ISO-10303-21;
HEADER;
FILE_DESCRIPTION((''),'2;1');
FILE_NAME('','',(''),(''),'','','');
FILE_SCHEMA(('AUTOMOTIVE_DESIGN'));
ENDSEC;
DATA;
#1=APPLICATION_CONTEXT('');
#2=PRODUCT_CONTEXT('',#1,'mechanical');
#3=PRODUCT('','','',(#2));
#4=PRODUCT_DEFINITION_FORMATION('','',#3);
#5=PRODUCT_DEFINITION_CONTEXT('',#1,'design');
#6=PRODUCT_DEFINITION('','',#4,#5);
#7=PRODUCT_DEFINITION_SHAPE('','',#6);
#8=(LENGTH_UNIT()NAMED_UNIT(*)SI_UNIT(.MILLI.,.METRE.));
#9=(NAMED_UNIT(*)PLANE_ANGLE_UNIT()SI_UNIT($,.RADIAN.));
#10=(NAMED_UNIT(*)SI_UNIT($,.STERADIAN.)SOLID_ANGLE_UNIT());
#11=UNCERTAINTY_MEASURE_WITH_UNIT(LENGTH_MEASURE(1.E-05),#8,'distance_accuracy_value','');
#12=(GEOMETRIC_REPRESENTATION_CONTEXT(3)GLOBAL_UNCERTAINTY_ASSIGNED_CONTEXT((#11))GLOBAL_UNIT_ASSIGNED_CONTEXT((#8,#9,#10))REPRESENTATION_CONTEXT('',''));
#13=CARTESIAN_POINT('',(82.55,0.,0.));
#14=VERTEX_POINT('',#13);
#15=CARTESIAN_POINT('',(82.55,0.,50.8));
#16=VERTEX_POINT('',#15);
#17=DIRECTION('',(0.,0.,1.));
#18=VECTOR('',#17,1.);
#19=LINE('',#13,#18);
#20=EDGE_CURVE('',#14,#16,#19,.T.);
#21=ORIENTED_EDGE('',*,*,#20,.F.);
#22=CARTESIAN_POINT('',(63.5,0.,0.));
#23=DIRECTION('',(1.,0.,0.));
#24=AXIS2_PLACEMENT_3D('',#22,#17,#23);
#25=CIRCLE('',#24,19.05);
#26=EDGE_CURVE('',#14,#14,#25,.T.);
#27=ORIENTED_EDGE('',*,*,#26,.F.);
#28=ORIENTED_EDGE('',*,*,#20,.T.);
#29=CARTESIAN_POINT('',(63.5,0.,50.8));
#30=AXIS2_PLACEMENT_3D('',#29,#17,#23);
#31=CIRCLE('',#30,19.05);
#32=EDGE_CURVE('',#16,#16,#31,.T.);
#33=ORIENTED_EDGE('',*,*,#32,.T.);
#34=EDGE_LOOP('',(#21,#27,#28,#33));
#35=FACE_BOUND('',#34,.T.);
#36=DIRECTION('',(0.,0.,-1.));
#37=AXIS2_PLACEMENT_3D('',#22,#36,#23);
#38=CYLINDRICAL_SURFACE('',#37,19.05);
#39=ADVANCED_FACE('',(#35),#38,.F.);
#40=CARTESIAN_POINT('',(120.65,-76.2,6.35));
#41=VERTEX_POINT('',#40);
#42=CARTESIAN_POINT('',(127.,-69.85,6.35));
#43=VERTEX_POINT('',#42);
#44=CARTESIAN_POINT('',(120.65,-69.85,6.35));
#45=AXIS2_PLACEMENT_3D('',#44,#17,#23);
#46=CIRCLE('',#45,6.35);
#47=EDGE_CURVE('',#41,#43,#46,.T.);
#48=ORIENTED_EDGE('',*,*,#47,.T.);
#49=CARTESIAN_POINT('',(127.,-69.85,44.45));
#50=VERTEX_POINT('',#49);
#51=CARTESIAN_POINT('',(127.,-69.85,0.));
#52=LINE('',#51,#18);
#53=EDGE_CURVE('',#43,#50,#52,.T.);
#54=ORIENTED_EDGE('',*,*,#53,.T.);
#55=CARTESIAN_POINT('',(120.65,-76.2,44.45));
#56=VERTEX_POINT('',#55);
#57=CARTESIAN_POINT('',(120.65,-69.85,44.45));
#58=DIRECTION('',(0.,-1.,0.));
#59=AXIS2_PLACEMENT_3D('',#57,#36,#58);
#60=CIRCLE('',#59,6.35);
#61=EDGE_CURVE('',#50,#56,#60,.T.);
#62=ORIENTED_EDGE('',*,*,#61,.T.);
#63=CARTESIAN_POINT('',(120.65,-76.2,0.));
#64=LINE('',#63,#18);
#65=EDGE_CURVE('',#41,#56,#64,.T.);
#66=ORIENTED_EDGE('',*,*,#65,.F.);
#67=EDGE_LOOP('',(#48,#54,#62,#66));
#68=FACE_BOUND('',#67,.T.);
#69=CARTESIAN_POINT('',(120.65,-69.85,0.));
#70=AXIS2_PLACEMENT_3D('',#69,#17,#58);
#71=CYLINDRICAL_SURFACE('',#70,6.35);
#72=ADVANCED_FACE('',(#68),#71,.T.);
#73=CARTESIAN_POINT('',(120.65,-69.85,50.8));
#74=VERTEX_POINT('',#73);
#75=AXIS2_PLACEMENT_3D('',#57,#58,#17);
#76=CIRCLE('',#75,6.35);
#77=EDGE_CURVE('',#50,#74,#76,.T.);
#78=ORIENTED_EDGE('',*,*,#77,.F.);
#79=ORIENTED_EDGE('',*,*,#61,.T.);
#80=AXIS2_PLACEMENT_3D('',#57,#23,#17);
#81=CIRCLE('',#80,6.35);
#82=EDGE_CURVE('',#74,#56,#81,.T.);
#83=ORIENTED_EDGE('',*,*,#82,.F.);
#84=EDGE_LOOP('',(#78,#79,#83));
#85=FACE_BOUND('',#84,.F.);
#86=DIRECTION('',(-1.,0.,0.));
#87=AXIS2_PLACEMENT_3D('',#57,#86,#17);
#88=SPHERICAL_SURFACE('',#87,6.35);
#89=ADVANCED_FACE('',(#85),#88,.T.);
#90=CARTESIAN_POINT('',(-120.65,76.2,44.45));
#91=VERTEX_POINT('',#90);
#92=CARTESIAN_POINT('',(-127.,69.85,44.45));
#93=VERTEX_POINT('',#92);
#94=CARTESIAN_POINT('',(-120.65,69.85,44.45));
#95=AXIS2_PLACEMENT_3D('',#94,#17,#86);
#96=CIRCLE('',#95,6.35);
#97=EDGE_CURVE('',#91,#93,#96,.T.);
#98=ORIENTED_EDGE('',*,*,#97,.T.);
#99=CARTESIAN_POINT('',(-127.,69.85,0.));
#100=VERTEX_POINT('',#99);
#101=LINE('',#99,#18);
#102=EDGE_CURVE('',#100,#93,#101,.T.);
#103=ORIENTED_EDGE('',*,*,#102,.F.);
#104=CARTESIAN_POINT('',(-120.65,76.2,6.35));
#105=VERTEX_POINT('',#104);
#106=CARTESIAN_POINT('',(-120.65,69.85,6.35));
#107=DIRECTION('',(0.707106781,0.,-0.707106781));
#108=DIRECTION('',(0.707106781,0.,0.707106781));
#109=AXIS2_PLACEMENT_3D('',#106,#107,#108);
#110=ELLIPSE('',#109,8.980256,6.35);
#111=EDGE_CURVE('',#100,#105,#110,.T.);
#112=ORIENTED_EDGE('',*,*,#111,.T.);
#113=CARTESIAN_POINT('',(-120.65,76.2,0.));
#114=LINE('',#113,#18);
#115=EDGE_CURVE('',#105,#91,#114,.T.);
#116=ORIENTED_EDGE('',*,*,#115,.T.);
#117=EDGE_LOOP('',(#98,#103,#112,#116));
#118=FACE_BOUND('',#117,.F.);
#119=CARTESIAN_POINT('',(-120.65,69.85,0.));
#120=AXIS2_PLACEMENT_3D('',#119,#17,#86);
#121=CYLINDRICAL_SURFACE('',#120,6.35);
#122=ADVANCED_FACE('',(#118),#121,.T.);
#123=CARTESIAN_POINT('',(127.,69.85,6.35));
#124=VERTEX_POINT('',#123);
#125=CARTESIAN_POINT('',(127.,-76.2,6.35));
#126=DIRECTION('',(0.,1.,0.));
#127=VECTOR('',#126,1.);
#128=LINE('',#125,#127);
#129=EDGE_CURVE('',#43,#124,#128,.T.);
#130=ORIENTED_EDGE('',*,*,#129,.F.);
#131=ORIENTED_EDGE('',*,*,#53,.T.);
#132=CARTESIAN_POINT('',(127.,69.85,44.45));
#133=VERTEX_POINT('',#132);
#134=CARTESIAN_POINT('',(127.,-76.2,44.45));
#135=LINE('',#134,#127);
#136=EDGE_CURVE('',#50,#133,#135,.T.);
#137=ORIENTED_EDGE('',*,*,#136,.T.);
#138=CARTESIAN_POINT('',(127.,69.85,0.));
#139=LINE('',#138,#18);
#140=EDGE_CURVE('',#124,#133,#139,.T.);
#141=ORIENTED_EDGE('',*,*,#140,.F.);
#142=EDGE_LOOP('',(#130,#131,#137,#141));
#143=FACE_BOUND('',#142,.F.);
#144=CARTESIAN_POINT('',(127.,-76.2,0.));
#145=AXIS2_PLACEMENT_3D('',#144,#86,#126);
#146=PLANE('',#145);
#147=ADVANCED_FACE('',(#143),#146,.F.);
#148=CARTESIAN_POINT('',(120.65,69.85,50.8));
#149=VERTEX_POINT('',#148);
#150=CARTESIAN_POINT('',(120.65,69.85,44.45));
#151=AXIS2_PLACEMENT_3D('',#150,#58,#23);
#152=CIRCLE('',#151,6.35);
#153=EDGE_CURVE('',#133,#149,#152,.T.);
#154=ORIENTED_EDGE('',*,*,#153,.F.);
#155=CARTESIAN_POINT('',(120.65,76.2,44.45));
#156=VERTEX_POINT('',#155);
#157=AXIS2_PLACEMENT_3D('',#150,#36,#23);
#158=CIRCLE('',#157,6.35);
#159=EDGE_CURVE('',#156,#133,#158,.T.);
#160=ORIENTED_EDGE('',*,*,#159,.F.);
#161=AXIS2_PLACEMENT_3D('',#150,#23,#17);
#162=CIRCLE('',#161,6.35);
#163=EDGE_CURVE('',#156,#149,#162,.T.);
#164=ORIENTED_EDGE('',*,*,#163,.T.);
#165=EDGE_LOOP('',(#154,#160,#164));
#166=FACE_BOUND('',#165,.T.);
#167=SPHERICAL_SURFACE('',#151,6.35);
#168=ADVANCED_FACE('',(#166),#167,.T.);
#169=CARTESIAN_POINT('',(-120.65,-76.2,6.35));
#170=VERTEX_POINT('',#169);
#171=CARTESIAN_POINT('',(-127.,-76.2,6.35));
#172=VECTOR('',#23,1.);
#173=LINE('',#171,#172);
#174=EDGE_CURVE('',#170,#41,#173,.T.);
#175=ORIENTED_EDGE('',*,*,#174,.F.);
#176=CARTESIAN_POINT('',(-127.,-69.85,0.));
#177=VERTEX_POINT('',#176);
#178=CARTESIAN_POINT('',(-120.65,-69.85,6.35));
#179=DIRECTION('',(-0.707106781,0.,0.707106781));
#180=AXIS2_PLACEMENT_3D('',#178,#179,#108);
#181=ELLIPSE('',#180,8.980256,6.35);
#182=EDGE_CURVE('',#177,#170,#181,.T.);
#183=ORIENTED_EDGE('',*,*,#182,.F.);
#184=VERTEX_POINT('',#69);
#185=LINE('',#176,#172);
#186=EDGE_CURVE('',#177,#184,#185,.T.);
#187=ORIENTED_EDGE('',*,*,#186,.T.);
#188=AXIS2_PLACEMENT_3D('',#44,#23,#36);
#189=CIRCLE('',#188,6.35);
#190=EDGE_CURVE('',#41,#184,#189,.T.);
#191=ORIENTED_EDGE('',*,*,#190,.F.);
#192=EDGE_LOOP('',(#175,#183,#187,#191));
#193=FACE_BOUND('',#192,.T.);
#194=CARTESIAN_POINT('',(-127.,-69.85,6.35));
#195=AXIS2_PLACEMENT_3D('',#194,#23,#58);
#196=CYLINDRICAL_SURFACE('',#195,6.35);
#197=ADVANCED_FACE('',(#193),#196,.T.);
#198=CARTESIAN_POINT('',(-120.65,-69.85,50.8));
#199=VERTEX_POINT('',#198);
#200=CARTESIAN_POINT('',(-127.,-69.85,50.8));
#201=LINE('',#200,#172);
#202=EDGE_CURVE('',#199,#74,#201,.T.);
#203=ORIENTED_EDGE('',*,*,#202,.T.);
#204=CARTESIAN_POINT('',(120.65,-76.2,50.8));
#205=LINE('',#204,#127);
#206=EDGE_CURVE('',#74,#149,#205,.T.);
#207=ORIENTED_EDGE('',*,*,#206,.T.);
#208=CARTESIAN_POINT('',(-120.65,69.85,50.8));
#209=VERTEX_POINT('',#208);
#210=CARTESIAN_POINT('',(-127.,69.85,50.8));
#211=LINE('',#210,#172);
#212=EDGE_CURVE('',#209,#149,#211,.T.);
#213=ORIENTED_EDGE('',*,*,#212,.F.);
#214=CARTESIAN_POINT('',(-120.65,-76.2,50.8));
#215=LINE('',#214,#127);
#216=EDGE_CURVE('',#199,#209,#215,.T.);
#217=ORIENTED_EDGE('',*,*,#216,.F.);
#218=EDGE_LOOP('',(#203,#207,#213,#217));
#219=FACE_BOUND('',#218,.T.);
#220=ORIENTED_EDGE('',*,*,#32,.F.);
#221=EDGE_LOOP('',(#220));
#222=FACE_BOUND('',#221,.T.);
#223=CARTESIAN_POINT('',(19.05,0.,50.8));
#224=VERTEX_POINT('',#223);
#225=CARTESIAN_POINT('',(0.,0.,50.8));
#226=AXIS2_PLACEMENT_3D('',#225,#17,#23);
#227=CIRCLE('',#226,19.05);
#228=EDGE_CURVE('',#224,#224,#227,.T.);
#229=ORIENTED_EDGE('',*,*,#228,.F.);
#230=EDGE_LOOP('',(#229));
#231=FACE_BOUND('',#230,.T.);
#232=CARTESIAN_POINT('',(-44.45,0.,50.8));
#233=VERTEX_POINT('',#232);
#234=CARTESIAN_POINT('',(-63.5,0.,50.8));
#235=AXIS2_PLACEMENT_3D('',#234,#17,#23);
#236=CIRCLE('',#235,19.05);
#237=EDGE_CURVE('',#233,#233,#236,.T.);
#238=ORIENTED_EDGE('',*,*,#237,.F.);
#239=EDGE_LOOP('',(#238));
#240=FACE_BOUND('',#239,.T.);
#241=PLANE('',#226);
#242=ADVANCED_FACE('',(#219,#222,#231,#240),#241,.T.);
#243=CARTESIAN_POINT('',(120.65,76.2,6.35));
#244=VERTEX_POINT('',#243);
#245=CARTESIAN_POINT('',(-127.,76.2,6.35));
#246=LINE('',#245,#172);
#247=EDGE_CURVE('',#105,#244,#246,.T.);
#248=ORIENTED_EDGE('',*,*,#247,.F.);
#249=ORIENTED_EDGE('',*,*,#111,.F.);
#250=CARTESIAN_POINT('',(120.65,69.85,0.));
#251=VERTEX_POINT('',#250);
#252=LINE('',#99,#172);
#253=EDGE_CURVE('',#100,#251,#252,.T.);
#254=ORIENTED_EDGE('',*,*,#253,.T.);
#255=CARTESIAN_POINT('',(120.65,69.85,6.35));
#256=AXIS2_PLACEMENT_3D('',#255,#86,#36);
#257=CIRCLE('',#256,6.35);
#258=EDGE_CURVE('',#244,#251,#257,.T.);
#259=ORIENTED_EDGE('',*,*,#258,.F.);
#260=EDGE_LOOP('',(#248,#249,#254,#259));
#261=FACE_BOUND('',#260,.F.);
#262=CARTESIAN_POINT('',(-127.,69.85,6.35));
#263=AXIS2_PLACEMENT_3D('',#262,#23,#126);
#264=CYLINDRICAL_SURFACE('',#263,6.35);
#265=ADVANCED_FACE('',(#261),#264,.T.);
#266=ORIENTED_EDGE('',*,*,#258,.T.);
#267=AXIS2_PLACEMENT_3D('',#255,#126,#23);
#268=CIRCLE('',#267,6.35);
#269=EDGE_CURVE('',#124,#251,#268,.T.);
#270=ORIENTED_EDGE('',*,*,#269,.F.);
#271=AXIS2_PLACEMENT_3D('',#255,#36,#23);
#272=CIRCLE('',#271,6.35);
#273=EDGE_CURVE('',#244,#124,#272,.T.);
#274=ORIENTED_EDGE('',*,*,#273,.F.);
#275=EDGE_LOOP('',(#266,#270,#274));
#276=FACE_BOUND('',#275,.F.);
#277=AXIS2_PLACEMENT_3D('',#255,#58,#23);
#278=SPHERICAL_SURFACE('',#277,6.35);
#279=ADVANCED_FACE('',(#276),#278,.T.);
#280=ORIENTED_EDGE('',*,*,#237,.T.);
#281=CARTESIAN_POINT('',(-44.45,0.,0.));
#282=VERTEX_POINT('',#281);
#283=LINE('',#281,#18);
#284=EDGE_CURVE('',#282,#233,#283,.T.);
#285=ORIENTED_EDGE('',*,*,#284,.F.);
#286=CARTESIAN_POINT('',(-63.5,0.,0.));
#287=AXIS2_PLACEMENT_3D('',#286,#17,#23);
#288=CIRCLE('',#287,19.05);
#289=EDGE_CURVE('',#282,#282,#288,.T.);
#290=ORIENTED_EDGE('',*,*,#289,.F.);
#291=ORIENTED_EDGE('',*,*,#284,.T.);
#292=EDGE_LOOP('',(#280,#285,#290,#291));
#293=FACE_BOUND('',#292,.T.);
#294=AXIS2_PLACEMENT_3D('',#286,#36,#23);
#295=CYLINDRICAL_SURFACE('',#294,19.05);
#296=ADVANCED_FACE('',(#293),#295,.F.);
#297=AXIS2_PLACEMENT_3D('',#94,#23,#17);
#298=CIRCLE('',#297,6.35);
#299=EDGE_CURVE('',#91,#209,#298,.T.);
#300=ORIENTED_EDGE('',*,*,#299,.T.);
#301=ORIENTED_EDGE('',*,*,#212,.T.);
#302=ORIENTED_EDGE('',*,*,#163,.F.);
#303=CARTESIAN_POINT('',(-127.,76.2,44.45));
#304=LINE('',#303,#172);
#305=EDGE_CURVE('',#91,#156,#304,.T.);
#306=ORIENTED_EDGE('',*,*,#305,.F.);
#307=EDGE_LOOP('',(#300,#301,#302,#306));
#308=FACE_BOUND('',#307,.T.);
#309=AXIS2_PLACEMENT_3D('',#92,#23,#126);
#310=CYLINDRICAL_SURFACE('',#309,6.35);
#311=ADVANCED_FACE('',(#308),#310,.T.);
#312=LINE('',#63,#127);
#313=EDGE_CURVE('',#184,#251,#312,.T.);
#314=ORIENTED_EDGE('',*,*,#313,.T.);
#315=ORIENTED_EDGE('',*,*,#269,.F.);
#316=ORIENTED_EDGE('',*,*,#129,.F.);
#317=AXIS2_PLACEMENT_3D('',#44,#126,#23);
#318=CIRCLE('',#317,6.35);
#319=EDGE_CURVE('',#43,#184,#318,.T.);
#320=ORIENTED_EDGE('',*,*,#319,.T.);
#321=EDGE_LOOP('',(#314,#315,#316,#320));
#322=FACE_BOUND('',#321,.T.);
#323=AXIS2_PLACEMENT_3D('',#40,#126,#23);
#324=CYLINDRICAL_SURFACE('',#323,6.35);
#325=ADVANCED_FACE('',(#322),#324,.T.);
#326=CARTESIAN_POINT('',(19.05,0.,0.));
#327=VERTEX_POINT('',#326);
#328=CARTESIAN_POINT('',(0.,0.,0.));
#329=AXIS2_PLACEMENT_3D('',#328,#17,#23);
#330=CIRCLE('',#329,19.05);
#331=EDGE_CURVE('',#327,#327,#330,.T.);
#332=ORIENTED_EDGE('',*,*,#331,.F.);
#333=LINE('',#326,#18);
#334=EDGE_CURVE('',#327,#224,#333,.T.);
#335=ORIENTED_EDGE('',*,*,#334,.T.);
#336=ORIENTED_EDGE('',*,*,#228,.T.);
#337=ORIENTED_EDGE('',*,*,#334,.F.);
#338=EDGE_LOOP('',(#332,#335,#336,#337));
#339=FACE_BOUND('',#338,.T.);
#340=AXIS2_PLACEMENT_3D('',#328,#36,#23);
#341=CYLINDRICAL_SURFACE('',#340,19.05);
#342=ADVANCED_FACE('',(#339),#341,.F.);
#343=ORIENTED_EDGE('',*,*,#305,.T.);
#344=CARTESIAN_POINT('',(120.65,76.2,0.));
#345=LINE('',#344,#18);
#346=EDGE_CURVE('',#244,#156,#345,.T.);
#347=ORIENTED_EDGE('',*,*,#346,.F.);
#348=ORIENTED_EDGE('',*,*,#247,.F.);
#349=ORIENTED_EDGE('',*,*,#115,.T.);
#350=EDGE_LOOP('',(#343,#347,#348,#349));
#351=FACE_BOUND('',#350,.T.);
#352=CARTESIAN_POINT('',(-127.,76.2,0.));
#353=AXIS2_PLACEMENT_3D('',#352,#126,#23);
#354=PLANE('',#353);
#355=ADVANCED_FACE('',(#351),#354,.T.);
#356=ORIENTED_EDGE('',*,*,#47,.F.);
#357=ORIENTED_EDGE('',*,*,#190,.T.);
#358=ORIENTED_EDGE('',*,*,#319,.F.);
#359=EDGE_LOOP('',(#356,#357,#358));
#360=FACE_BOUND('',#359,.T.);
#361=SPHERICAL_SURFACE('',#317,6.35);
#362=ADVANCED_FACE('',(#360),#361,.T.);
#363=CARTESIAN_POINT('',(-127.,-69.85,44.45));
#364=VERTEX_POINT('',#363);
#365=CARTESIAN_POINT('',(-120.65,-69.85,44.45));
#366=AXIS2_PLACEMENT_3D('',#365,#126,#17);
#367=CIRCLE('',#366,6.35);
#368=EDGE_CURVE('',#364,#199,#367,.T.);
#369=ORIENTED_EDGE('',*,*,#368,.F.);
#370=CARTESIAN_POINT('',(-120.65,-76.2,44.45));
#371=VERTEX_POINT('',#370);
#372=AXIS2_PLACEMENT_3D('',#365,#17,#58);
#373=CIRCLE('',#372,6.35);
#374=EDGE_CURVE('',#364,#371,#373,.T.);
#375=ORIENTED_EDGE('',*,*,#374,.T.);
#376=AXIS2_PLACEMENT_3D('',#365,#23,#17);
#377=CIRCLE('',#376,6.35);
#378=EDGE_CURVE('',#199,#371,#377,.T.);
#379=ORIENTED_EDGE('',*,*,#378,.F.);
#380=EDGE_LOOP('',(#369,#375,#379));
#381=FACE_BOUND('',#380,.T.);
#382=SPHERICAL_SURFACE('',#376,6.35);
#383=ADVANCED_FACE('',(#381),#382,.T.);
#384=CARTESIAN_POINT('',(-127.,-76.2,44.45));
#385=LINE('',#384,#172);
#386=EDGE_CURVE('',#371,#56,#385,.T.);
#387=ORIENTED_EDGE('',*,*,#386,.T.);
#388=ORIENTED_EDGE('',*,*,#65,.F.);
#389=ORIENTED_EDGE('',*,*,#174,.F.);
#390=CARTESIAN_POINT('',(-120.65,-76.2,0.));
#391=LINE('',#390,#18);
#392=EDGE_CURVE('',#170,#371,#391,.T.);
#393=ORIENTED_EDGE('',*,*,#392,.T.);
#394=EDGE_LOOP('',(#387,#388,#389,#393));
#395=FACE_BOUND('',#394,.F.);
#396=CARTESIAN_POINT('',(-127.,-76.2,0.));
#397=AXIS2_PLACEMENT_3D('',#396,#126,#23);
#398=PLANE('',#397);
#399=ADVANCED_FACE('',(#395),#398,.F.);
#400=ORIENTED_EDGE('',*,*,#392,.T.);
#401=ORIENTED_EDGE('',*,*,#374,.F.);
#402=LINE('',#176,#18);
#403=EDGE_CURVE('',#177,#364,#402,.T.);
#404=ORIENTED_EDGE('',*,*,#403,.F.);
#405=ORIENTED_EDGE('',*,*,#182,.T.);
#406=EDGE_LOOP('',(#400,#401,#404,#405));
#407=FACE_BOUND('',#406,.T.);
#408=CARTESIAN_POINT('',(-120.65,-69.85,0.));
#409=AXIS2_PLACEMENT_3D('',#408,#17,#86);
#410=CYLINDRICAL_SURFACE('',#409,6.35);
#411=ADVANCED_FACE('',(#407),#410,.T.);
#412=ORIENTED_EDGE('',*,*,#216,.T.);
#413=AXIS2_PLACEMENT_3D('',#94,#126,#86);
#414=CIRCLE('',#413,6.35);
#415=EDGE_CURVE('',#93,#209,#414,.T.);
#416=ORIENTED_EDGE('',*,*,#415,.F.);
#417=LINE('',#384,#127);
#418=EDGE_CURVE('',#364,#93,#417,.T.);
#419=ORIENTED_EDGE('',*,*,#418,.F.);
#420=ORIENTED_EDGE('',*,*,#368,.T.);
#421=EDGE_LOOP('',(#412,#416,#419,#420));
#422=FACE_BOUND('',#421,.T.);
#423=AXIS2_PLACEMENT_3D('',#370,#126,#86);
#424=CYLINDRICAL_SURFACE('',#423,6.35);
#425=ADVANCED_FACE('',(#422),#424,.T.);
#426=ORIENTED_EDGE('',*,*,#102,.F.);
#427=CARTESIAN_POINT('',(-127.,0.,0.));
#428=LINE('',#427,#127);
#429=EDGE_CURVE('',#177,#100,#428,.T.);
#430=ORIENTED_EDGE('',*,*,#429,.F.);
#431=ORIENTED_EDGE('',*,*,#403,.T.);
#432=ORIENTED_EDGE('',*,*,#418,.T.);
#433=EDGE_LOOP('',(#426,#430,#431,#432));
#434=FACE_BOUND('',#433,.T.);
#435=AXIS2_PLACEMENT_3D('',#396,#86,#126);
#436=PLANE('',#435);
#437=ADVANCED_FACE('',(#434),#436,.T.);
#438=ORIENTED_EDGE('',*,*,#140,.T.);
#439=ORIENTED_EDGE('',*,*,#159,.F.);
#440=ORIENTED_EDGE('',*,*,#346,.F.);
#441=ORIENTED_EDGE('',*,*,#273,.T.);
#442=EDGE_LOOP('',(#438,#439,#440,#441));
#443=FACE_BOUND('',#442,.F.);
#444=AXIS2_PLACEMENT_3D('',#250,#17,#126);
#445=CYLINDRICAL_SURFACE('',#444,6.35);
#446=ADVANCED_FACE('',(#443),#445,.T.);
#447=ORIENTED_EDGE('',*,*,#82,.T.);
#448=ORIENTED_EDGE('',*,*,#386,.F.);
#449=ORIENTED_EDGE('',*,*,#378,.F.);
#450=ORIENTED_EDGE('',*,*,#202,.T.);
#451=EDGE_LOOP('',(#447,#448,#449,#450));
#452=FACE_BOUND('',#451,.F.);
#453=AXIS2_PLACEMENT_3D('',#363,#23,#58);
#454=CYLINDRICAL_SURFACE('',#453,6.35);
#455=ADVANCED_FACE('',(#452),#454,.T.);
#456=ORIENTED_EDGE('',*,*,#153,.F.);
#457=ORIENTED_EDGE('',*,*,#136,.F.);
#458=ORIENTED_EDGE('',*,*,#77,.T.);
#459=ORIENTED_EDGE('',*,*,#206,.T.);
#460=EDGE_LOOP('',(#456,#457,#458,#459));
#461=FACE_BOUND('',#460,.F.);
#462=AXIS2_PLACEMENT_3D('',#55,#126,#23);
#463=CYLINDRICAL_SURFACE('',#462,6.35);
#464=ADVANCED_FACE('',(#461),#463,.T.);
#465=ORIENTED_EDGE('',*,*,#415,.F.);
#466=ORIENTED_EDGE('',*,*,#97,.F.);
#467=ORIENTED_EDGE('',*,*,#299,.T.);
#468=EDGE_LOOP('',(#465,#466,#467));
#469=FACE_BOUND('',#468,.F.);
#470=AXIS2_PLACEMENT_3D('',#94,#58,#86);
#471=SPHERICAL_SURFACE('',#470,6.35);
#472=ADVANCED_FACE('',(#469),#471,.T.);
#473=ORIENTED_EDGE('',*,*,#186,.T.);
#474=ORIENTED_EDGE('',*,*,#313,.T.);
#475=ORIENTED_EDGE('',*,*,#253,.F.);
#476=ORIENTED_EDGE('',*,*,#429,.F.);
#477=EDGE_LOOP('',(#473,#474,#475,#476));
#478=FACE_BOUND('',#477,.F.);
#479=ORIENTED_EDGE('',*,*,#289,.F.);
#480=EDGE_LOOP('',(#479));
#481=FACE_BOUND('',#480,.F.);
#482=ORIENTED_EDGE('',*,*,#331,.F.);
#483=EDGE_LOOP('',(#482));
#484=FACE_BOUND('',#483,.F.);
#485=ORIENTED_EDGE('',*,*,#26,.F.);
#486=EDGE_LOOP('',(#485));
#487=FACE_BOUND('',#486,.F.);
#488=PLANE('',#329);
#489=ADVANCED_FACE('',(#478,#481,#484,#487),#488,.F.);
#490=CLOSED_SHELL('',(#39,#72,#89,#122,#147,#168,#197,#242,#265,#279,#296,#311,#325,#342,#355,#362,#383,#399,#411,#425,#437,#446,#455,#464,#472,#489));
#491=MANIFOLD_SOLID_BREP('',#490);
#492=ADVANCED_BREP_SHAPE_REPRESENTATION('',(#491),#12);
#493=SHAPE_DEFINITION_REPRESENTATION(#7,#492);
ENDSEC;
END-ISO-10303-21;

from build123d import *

# Parameters (mm, degrees)
F0_W     = 254
F0_H     = 152.4
F0_R     = 19.05
F1_DEPTH = 50.8
F2_R     = 6.35


with BuildPart() as f1:
    # F0 (on Top) → F1 (new body)
    with BuildSketch(Plane.XY):
        Rectangle(F0_W, F0_H)
        with Locations((-63.5, 0)):
            Circle(F0_R, mode=Mode.SUBTRACT)
        Circle(F0_R, mode=Mode.SUBTRACT)
        with Locations((63.5, 0)):
            Circle(F0_R, mode=Mode.SUBTRACT)
    extrude(amount=F1_DEPTH)

    # F2
    f2_edges = [f1.edges().sort_by_distance(p)[0] for p in [
        (0, -76.2, 50.8),
        (-127, 0, 50.8),
        (127, 0, 0),
        (127, 0, 50.8),
        (-127, -76.2, 25.4),
        (127, -76.2, 25.4),
        (0, -76.2, 0),
        (127, 76.2, 25.4),
        (-127, 76.2, 25.4),
        (0, 76.2, 0),
        (0, 76.2, 50.8),
    ]]
    fillet(f2_edges, radius=F2_R)


solid = f1.part
